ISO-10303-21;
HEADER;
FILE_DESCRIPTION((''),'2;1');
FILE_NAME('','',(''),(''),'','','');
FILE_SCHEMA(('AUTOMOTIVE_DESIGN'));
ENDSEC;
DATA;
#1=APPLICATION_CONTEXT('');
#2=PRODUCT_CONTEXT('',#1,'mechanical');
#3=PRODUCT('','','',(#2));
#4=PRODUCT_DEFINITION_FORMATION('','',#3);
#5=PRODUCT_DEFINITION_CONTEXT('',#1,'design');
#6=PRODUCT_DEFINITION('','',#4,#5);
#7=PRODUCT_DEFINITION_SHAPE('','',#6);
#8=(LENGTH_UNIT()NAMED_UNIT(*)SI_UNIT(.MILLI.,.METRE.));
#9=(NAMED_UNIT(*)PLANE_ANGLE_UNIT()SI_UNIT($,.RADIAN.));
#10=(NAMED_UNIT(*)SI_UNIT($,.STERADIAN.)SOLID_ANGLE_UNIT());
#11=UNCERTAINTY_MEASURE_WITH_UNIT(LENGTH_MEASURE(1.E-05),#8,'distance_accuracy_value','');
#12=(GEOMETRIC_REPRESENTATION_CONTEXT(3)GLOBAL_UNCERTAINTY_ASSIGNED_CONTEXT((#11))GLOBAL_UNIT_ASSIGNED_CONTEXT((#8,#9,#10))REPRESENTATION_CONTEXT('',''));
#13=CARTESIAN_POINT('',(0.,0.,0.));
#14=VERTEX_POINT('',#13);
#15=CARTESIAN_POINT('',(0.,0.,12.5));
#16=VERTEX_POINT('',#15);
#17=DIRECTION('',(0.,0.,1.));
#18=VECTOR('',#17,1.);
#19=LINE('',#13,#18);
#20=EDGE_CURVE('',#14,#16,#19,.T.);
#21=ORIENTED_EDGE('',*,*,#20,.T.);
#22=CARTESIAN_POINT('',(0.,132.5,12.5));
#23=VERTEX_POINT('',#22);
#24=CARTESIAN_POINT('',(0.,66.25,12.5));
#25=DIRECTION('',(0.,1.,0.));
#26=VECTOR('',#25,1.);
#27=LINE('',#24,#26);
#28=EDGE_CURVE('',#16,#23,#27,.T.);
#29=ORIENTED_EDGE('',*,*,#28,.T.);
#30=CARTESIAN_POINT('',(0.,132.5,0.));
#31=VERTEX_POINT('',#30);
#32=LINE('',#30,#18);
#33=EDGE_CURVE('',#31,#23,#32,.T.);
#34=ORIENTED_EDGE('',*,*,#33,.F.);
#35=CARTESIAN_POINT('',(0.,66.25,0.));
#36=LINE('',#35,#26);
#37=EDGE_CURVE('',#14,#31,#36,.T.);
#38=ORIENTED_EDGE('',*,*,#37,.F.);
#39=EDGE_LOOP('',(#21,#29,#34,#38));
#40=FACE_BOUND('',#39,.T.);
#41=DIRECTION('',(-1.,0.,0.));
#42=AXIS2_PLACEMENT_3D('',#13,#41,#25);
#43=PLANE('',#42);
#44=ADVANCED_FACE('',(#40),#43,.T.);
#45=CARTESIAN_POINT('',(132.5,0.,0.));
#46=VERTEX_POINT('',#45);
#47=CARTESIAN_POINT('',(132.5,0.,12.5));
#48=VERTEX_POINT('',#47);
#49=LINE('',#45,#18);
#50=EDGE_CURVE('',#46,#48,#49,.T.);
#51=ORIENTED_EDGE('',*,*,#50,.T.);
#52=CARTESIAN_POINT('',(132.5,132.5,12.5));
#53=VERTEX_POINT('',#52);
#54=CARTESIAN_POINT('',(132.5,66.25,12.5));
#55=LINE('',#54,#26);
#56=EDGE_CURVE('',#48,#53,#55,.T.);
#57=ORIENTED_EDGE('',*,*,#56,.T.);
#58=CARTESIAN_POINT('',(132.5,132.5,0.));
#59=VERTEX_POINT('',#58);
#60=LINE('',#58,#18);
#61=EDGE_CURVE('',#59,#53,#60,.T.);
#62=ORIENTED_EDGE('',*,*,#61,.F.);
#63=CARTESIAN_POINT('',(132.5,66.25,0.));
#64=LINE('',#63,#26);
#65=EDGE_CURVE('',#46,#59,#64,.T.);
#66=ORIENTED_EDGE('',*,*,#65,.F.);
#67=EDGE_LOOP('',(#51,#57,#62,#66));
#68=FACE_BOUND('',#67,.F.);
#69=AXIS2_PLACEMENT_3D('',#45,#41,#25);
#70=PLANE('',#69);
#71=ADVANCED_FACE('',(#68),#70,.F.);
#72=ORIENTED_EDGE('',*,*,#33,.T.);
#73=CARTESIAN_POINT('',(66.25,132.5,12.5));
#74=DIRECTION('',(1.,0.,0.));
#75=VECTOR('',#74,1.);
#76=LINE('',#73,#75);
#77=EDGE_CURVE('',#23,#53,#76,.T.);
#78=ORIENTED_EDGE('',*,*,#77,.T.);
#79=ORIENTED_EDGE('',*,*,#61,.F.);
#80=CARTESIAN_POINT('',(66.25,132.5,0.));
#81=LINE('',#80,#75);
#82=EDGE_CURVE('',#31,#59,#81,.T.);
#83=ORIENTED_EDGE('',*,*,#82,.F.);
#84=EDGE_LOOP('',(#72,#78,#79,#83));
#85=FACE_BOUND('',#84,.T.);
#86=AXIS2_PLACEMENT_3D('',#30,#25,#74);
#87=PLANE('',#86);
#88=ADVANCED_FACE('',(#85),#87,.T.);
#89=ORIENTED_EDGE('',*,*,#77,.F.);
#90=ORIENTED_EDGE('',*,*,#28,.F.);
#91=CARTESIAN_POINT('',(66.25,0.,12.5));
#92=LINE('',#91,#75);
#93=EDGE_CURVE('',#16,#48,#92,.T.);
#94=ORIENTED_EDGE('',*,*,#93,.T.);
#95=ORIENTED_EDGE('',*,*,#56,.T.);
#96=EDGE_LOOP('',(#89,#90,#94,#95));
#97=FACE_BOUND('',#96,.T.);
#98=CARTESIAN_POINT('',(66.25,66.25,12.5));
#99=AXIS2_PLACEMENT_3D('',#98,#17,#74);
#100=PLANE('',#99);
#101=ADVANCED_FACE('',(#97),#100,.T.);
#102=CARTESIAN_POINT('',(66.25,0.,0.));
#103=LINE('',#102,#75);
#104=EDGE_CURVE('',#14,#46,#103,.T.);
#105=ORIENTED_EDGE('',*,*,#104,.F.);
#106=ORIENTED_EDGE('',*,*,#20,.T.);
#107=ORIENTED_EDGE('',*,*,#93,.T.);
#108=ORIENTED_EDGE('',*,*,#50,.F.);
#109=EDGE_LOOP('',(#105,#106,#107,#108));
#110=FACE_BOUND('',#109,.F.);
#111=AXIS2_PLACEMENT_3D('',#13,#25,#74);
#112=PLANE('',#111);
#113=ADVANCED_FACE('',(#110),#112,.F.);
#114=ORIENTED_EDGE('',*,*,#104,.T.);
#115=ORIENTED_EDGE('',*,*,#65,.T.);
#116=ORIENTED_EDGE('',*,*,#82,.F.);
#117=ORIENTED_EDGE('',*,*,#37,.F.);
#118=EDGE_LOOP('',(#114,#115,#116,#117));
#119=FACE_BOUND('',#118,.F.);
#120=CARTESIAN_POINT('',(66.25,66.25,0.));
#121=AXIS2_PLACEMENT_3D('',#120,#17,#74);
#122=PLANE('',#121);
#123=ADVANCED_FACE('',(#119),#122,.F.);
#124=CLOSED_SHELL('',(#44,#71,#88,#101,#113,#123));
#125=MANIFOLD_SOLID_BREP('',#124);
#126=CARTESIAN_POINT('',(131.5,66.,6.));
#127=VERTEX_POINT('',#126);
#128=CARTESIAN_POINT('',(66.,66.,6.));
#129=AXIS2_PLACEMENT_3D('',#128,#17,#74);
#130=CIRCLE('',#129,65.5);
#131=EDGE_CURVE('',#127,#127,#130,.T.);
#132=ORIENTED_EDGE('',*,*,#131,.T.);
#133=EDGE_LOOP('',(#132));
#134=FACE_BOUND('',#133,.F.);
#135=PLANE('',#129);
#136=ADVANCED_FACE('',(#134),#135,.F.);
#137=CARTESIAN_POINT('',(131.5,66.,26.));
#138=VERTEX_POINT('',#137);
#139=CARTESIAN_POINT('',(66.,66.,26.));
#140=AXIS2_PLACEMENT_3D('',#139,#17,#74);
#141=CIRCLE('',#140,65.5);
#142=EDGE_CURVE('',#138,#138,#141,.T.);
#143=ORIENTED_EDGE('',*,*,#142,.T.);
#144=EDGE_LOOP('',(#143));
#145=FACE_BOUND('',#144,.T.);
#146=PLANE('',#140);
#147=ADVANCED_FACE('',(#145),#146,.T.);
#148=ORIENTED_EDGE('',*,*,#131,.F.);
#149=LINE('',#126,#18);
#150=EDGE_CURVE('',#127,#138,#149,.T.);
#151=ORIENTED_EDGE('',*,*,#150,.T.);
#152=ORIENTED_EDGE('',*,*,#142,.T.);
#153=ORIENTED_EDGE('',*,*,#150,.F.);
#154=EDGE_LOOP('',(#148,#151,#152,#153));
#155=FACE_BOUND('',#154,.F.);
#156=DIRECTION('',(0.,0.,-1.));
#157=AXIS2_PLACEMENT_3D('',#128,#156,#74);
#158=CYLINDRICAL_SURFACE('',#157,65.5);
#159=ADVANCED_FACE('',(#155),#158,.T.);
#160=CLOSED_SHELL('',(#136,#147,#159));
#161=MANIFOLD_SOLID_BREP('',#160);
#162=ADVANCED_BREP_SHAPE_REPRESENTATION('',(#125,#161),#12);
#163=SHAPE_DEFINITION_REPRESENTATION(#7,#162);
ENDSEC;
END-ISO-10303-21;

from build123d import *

# Parameters (mm, degrees)
BOX_W          = 132.5
BOX_H          = 132.5
BOX_DEPTH      = 12.5
CYLINDER_R     = 65.5
CYLINDER_DEPTH = 20


with BuildPart() as cube:
    # Box → Box (new body)
    with BuildSketch(Plane.XY):
        with Locations((66.25, 66.25)):
            Rectangle(BOX_W, BOX_H)
    extrude(amount=BOX_DEPTH)


with BuildPart() as cylinder:
    # Cylinder → Cylinder (new body)
    with BuildSketch(Plane(origin=(66, 66, 6), x_dir=(1, 0, 0), z_dir=(0, 0, 1))):
        Circle(CYLINDER_R)
    extrude(amount=CYLINDER_DEPTH)


solid = Compound([cube.part, cylinder.part])
